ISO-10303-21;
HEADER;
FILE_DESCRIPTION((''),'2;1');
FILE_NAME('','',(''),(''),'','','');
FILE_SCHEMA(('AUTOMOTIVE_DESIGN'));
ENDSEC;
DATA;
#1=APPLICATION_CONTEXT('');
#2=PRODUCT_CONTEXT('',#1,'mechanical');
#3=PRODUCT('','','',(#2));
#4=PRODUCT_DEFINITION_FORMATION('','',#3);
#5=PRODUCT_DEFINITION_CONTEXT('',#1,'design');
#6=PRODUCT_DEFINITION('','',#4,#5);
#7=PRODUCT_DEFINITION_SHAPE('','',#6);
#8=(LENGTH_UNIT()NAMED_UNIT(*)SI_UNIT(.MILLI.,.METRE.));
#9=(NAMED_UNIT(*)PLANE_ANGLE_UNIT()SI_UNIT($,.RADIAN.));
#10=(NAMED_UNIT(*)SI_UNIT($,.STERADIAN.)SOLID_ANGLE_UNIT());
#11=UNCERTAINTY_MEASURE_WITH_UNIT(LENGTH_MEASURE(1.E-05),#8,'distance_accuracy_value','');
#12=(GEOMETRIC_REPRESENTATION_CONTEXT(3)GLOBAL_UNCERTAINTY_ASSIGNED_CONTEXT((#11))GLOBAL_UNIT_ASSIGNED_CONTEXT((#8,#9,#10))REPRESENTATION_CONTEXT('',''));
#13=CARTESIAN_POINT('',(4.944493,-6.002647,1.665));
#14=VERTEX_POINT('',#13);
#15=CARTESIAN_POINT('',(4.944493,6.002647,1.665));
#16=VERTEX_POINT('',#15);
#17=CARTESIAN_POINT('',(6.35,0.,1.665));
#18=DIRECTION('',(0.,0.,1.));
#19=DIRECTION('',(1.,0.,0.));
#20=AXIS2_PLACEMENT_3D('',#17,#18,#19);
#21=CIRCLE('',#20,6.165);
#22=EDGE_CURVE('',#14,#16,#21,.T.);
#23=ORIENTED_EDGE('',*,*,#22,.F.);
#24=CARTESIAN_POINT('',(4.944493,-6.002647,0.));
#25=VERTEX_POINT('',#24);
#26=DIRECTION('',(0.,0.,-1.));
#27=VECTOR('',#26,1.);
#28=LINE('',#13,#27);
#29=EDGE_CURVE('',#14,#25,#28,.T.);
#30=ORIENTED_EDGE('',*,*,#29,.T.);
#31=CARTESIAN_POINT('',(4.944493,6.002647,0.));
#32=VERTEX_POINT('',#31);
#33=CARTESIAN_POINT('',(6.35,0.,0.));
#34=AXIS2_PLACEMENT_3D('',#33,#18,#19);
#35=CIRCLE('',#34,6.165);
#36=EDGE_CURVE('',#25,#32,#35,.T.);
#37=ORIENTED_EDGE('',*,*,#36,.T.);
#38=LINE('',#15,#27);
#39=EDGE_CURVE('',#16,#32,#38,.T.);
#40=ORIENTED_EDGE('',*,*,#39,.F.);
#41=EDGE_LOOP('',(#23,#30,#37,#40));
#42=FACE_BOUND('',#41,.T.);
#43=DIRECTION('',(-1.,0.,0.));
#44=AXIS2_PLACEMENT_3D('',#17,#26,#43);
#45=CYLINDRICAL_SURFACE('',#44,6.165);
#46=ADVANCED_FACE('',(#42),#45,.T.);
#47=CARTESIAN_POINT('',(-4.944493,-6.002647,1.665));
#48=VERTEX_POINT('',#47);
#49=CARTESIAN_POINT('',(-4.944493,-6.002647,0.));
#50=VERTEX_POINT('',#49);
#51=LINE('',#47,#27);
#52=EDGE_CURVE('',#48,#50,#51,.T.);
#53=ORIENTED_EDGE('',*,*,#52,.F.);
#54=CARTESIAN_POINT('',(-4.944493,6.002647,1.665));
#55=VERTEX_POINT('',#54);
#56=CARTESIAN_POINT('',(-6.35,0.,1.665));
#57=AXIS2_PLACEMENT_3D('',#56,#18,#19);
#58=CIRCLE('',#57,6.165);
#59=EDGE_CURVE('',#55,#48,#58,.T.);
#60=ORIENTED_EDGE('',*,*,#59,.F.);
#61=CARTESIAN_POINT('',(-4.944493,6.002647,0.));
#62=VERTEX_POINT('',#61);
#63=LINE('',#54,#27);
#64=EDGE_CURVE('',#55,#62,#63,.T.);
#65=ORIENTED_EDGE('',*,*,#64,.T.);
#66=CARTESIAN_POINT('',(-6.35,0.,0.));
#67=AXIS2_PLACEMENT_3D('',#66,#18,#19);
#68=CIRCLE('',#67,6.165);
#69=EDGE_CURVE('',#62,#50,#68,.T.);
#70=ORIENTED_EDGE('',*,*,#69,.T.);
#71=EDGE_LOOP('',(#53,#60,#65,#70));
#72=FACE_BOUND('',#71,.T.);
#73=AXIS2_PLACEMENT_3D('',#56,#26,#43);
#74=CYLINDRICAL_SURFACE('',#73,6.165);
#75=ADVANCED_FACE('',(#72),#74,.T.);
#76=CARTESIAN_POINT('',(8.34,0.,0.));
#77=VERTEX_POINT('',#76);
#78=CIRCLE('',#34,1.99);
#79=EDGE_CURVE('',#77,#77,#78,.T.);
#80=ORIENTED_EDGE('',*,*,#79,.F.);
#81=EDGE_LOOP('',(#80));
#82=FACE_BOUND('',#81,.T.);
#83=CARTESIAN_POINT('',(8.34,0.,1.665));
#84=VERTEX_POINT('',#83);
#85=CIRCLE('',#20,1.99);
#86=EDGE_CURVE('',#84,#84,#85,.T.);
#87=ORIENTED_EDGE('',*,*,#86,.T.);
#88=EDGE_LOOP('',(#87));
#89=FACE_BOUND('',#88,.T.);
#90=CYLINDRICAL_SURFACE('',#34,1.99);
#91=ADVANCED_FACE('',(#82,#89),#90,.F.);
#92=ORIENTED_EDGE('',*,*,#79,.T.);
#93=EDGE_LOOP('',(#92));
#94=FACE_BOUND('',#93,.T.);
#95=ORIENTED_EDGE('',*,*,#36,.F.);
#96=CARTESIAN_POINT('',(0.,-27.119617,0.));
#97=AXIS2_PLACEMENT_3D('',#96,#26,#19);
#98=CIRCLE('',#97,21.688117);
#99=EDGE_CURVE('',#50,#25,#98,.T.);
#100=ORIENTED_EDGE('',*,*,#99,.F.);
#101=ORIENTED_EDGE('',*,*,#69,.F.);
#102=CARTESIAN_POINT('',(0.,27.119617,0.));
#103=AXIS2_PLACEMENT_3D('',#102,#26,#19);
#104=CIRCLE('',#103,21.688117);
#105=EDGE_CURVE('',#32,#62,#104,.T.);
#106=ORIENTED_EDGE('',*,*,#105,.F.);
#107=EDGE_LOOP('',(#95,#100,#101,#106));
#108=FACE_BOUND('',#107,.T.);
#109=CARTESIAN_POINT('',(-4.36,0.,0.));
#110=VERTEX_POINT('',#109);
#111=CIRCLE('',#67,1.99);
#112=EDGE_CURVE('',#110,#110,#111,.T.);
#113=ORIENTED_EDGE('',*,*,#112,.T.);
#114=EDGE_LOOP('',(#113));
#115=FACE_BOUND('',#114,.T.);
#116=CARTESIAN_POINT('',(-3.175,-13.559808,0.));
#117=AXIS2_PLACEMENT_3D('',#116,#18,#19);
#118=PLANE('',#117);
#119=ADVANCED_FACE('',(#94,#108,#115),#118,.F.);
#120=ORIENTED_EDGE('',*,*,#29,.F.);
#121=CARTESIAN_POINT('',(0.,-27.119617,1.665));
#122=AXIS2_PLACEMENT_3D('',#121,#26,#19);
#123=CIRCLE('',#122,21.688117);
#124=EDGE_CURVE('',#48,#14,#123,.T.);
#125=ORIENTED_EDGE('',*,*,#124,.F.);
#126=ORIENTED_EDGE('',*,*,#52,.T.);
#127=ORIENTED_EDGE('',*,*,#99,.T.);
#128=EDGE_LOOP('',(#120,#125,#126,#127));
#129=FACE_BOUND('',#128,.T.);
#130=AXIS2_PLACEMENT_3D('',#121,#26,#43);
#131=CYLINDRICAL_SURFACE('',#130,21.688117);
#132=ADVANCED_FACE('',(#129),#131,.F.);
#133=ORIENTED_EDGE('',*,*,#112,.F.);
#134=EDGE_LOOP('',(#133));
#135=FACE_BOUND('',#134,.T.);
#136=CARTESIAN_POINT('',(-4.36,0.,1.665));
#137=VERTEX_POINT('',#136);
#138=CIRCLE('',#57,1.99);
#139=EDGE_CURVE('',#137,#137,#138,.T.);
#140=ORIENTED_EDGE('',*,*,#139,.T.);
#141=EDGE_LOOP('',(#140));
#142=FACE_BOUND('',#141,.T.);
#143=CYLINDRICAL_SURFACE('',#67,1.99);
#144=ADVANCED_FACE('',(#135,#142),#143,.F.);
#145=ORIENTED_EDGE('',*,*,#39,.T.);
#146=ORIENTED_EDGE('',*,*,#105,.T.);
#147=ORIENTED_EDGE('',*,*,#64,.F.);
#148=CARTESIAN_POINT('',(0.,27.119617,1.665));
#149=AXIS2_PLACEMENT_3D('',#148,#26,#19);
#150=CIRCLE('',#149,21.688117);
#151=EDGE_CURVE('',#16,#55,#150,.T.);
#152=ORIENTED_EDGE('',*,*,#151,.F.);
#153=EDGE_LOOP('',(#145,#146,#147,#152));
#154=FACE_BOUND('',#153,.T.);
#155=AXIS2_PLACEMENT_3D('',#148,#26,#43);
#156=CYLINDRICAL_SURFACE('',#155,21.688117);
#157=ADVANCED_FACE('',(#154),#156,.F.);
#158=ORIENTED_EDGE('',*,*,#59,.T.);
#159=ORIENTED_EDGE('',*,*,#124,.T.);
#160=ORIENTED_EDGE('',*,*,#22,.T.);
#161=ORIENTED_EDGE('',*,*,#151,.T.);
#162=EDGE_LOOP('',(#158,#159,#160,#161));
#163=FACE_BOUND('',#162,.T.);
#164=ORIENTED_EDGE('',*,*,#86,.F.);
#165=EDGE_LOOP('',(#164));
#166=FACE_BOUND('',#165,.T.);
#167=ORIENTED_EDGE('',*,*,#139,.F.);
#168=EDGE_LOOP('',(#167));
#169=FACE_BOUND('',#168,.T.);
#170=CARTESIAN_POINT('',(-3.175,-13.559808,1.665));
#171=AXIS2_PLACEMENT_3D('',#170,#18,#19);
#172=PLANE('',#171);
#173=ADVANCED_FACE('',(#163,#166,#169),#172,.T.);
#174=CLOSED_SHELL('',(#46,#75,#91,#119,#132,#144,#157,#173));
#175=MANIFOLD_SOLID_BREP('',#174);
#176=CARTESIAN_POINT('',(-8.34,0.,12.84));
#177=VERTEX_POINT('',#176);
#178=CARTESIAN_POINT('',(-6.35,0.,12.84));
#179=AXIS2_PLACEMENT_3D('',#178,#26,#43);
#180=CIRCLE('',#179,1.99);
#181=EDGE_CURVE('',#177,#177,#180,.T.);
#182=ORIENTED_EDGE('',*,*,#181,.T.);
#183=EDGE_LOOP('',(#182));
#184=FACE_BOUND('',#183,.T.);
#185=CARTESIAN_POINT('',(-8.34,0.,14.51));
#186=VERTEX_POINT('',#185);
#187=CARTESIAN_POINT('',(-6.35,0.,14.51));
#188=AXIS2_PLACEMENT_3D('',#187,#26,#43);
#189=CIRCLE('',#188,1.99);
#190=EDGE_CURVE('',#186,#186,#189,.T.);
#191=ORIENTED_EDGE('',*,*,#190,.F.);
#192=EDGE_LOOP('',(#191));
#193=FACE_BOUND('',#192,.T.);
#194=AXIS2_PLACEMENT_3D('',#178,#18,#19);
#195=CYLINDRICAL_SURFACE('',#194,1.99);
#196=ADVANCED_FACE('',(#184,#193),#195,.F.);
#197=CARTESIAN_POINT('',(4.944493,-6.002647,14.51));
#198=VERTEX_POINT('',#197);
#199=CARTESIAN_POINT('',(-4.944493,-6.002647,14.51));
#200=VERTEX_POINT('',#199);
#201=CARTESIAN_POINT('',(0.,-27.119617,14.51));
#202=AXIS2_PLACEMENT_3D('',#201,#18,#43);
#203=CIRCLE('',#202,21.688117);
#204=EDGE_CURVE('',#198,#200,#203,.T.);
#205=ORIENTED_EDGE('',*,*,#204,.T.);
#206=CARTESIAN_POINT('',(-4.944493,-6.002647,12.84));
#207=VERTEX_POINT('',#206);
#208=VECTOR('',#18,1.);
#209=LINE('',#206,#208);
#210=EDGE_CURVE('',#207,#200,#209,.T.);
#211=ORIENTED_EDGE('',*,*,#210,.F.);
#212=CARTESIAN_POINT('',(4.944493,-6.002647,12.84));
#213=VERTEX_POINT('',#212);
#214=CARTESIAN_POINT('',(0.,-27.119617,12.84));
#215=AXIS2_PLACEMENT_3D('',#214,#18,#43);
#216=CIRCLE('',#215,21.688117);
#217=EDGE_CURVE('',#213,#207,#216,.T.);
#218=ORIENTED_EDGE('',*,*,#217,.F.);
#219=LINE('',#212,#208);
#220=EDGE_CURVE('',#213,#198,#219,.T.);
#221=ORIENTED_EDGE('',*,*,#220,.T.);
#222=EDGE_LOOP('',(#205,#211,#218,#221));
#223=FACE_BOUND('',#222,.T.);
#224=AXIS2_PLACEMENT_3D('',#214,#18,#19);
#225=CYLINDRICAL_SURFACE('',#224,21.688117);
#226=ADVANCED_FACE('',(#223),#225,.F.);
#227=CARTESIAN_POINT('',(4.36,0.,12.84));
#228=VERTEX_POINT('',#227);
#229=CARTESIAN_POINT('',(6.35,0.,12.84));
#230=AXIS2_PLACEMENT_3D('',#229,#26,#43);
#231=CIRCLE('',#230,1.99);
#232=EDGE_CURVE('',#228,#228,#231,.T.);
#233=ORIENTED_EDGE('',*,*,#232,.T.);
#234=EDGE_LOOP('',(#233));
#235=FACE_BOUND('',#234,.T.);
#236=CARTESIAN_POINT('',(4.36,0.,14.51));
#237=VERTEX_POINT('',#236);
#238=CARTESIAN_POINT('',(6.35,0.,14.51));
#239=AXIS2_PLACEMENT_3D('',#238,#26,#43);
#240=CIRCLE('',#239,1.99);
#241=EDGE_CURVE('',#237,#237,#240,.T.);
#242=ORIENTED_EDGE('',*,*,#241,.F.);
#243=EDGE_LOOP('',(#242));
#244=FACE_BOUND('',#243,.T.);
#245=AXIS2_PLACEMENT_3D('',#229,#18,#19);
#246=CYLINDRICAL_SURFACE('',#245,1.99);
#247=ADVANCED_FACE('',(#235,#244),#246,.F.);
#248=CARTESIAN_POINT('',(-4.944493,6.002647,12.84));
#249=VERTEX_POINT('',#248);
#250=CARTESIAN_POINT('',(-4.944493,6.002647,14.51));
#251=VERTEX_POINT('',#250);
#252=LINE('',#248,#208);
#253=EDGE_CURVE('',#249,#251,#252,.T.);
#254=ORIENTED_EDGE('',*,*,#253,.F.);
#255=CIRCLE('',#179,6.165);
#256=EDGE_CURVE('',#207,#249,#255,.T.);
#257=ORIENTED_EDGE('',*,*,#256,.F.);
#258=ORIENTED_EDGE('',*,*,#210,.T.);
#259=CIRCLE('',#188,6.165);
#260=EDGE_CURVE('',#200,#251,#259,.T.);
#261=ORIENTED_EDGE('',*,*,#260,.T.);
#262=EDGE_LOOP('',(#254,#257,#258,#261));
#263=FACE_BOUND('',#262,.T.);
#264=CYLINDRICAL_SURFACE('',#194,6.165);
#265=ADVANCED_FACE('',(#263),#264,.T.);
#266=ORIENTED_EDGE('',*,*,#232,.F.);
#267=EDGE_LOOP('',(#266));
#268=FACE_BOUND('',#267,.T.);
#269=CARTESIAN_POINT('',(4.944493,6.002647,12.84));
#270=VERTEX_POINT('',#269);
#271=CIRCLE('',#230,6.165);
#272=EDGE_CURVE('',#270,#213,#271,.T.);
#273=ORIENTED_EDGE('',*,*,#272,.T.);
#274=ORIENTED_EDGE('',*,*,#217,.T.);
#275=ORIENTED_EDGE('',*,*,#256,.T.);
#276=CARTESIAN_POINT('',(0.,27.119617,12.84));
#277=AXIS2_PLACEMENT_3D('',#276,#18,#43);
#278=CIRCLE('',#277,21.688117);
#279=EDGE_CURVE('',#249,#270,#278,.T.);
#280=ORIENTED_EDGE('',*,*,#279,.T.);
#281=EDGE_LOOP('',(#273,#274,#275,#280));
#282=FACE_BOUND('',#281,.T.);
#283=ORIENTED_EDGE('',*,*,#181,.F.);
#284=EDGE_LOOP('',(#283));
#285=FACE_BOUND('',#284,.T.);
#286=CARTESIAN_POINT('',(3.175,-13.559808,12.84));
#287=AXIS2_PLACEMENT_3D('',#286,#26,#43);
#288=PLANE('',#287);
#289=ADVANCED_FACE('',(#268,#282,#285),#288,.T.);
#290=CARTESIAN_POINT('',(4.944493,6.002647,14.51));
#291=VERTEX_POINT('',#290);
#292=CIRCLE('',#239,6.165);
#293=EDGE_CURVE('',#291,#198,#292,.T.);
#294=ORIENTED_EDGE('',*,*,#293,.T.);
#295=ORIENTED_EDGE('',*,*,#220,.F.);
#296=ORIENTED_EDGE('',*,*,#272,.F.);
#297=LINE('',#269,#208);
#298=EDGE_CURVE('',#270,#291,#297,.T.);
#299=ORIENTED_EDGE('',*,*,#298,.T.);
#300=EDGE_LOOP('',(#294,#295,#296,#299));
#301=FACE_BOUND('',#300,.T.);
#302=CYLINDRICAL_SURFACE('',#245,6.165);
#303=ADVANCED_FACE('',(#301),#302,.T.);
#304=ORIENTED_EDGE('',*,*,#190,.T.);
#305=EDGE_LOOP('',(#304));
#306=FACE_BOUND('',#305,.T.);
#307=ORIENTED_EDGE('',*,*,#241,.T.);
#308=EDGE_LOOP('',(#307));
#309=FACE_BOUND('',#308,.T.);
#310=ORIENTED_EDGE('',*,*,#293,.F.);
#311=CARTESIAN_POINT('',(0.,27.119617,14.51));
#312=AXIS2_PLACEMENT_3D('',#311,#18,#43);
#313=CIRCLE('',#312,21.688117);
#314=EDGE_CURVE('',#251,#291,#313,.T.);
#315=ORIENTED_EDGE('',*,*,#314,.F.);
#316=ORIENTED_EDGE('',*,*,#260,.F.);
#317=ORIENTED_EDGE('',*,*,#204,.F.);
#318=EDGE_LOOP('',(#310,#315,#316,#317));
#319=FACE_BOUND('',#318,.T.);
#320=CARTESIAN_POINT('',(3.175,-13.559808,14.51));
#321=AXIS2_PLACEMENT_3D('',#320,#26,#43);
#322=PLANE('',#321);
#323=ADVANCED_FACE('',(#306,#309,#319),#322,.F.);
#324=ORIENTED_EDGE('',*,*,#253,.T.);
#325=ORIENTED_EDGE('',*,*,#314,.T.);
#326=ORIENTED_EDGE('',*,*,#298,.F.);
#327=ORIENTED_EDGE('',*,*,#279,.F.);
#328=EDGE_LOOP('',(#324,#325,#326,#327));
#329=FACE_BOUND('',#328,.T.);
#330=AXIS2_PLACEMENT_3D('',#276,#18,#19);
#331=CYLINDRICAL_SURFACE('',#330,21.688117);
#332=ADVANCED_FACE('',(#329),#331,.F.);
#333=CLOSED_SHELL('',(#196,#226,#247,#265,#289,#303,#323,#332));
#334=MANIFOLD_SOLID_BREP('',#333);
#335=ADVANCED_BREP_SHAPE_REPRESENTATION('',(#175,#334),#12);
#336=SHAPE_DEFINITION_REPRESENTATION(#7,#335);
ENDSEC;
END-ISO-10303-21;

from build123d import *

# Parameters (mm, degrees)
EXTRUDE_1_DEPTH     = 1.665
SKETCH_3_R          = 1.99
CUT_EXTRUDE_1_DEPTH = 15.050077402
SKETCH_4_R          = 1.99
EXTRUDE_1_2_DEPTH   = 1.67


with BuildPart() as part:
    # 草图2 → Extrude 1 (new body)
    with BuildSketch(Plane.XY):
        with BuildLine():
            ThreePointArc((-4.944493019, 6.002647343), (-12.515, 0), (-4.944493019, -6.002647343))
            ThreePointArc((-4.944493019, -6.002647343), (0, -5.4315), (4.944493019, -6.002647343))
            ThreePointArc((4.944493019, -6.002647343), (12.515, 0), (4.944493019, 6.002647343))
            ThreePointArc((4.944493019, 6.002647343), (0, 5.4315), (-4.944493019, 6.002647343))
        make_face()
    extrude(amount=EXTRUDE_1_DEPTH)

    # 草图3 → 切除-拉伸1 (cut, through all)
    with BuildSketch(Plane.XY.offset(1.665)):
        with Locations((-6.35, 0)):
            Circle(SKETCH_3_R)
        with Locations((6.35, 0)):
            Circle(SKETCH_3_R)
    extrude(amount=-CUT_EXTRUDE_1_DEPTH, mode=Mode.SUBTRACT)


with BuildPart() as body_2:
    # 草图4 → Extrude 1 2 (new body)
    with BuildSketch(Plane(origin=(0, 0, 14.51), x_dir=(-1, 0, 0), z_dir=(0, 0, -1))):
        with BuildLine():
            ThreePointArc((4.944493019, -6.002647343), (12.515, 0), (4.944493019, 6.002647343))
            ThreePointArc((4.944493019, 6.002647343), (0, 5.4315), (-4.944493019, 6.002647343))
            ThreePointArc((-4.944493019, 6.002647343), (-12.515, 0), (-4.944493019, -6.002647343))
            ThreePointArc((-4.944493019, -6.002647343), (0, -5.4315), (4.944493019, -6.002647343))
        make_face()
        with Locations((6.35, 0)):
            Circle(SKETCH_4_R, mode=Mode.SUBTRACT)
        with Locations((-6.35, 0)):
            Circle(SKETCH_4_R, mode=Mode.SUBTRACT)
    extrude(amount=EXTRUDE_1_2_DEPTH)


solid = Compound([part.part, body_2.part])
